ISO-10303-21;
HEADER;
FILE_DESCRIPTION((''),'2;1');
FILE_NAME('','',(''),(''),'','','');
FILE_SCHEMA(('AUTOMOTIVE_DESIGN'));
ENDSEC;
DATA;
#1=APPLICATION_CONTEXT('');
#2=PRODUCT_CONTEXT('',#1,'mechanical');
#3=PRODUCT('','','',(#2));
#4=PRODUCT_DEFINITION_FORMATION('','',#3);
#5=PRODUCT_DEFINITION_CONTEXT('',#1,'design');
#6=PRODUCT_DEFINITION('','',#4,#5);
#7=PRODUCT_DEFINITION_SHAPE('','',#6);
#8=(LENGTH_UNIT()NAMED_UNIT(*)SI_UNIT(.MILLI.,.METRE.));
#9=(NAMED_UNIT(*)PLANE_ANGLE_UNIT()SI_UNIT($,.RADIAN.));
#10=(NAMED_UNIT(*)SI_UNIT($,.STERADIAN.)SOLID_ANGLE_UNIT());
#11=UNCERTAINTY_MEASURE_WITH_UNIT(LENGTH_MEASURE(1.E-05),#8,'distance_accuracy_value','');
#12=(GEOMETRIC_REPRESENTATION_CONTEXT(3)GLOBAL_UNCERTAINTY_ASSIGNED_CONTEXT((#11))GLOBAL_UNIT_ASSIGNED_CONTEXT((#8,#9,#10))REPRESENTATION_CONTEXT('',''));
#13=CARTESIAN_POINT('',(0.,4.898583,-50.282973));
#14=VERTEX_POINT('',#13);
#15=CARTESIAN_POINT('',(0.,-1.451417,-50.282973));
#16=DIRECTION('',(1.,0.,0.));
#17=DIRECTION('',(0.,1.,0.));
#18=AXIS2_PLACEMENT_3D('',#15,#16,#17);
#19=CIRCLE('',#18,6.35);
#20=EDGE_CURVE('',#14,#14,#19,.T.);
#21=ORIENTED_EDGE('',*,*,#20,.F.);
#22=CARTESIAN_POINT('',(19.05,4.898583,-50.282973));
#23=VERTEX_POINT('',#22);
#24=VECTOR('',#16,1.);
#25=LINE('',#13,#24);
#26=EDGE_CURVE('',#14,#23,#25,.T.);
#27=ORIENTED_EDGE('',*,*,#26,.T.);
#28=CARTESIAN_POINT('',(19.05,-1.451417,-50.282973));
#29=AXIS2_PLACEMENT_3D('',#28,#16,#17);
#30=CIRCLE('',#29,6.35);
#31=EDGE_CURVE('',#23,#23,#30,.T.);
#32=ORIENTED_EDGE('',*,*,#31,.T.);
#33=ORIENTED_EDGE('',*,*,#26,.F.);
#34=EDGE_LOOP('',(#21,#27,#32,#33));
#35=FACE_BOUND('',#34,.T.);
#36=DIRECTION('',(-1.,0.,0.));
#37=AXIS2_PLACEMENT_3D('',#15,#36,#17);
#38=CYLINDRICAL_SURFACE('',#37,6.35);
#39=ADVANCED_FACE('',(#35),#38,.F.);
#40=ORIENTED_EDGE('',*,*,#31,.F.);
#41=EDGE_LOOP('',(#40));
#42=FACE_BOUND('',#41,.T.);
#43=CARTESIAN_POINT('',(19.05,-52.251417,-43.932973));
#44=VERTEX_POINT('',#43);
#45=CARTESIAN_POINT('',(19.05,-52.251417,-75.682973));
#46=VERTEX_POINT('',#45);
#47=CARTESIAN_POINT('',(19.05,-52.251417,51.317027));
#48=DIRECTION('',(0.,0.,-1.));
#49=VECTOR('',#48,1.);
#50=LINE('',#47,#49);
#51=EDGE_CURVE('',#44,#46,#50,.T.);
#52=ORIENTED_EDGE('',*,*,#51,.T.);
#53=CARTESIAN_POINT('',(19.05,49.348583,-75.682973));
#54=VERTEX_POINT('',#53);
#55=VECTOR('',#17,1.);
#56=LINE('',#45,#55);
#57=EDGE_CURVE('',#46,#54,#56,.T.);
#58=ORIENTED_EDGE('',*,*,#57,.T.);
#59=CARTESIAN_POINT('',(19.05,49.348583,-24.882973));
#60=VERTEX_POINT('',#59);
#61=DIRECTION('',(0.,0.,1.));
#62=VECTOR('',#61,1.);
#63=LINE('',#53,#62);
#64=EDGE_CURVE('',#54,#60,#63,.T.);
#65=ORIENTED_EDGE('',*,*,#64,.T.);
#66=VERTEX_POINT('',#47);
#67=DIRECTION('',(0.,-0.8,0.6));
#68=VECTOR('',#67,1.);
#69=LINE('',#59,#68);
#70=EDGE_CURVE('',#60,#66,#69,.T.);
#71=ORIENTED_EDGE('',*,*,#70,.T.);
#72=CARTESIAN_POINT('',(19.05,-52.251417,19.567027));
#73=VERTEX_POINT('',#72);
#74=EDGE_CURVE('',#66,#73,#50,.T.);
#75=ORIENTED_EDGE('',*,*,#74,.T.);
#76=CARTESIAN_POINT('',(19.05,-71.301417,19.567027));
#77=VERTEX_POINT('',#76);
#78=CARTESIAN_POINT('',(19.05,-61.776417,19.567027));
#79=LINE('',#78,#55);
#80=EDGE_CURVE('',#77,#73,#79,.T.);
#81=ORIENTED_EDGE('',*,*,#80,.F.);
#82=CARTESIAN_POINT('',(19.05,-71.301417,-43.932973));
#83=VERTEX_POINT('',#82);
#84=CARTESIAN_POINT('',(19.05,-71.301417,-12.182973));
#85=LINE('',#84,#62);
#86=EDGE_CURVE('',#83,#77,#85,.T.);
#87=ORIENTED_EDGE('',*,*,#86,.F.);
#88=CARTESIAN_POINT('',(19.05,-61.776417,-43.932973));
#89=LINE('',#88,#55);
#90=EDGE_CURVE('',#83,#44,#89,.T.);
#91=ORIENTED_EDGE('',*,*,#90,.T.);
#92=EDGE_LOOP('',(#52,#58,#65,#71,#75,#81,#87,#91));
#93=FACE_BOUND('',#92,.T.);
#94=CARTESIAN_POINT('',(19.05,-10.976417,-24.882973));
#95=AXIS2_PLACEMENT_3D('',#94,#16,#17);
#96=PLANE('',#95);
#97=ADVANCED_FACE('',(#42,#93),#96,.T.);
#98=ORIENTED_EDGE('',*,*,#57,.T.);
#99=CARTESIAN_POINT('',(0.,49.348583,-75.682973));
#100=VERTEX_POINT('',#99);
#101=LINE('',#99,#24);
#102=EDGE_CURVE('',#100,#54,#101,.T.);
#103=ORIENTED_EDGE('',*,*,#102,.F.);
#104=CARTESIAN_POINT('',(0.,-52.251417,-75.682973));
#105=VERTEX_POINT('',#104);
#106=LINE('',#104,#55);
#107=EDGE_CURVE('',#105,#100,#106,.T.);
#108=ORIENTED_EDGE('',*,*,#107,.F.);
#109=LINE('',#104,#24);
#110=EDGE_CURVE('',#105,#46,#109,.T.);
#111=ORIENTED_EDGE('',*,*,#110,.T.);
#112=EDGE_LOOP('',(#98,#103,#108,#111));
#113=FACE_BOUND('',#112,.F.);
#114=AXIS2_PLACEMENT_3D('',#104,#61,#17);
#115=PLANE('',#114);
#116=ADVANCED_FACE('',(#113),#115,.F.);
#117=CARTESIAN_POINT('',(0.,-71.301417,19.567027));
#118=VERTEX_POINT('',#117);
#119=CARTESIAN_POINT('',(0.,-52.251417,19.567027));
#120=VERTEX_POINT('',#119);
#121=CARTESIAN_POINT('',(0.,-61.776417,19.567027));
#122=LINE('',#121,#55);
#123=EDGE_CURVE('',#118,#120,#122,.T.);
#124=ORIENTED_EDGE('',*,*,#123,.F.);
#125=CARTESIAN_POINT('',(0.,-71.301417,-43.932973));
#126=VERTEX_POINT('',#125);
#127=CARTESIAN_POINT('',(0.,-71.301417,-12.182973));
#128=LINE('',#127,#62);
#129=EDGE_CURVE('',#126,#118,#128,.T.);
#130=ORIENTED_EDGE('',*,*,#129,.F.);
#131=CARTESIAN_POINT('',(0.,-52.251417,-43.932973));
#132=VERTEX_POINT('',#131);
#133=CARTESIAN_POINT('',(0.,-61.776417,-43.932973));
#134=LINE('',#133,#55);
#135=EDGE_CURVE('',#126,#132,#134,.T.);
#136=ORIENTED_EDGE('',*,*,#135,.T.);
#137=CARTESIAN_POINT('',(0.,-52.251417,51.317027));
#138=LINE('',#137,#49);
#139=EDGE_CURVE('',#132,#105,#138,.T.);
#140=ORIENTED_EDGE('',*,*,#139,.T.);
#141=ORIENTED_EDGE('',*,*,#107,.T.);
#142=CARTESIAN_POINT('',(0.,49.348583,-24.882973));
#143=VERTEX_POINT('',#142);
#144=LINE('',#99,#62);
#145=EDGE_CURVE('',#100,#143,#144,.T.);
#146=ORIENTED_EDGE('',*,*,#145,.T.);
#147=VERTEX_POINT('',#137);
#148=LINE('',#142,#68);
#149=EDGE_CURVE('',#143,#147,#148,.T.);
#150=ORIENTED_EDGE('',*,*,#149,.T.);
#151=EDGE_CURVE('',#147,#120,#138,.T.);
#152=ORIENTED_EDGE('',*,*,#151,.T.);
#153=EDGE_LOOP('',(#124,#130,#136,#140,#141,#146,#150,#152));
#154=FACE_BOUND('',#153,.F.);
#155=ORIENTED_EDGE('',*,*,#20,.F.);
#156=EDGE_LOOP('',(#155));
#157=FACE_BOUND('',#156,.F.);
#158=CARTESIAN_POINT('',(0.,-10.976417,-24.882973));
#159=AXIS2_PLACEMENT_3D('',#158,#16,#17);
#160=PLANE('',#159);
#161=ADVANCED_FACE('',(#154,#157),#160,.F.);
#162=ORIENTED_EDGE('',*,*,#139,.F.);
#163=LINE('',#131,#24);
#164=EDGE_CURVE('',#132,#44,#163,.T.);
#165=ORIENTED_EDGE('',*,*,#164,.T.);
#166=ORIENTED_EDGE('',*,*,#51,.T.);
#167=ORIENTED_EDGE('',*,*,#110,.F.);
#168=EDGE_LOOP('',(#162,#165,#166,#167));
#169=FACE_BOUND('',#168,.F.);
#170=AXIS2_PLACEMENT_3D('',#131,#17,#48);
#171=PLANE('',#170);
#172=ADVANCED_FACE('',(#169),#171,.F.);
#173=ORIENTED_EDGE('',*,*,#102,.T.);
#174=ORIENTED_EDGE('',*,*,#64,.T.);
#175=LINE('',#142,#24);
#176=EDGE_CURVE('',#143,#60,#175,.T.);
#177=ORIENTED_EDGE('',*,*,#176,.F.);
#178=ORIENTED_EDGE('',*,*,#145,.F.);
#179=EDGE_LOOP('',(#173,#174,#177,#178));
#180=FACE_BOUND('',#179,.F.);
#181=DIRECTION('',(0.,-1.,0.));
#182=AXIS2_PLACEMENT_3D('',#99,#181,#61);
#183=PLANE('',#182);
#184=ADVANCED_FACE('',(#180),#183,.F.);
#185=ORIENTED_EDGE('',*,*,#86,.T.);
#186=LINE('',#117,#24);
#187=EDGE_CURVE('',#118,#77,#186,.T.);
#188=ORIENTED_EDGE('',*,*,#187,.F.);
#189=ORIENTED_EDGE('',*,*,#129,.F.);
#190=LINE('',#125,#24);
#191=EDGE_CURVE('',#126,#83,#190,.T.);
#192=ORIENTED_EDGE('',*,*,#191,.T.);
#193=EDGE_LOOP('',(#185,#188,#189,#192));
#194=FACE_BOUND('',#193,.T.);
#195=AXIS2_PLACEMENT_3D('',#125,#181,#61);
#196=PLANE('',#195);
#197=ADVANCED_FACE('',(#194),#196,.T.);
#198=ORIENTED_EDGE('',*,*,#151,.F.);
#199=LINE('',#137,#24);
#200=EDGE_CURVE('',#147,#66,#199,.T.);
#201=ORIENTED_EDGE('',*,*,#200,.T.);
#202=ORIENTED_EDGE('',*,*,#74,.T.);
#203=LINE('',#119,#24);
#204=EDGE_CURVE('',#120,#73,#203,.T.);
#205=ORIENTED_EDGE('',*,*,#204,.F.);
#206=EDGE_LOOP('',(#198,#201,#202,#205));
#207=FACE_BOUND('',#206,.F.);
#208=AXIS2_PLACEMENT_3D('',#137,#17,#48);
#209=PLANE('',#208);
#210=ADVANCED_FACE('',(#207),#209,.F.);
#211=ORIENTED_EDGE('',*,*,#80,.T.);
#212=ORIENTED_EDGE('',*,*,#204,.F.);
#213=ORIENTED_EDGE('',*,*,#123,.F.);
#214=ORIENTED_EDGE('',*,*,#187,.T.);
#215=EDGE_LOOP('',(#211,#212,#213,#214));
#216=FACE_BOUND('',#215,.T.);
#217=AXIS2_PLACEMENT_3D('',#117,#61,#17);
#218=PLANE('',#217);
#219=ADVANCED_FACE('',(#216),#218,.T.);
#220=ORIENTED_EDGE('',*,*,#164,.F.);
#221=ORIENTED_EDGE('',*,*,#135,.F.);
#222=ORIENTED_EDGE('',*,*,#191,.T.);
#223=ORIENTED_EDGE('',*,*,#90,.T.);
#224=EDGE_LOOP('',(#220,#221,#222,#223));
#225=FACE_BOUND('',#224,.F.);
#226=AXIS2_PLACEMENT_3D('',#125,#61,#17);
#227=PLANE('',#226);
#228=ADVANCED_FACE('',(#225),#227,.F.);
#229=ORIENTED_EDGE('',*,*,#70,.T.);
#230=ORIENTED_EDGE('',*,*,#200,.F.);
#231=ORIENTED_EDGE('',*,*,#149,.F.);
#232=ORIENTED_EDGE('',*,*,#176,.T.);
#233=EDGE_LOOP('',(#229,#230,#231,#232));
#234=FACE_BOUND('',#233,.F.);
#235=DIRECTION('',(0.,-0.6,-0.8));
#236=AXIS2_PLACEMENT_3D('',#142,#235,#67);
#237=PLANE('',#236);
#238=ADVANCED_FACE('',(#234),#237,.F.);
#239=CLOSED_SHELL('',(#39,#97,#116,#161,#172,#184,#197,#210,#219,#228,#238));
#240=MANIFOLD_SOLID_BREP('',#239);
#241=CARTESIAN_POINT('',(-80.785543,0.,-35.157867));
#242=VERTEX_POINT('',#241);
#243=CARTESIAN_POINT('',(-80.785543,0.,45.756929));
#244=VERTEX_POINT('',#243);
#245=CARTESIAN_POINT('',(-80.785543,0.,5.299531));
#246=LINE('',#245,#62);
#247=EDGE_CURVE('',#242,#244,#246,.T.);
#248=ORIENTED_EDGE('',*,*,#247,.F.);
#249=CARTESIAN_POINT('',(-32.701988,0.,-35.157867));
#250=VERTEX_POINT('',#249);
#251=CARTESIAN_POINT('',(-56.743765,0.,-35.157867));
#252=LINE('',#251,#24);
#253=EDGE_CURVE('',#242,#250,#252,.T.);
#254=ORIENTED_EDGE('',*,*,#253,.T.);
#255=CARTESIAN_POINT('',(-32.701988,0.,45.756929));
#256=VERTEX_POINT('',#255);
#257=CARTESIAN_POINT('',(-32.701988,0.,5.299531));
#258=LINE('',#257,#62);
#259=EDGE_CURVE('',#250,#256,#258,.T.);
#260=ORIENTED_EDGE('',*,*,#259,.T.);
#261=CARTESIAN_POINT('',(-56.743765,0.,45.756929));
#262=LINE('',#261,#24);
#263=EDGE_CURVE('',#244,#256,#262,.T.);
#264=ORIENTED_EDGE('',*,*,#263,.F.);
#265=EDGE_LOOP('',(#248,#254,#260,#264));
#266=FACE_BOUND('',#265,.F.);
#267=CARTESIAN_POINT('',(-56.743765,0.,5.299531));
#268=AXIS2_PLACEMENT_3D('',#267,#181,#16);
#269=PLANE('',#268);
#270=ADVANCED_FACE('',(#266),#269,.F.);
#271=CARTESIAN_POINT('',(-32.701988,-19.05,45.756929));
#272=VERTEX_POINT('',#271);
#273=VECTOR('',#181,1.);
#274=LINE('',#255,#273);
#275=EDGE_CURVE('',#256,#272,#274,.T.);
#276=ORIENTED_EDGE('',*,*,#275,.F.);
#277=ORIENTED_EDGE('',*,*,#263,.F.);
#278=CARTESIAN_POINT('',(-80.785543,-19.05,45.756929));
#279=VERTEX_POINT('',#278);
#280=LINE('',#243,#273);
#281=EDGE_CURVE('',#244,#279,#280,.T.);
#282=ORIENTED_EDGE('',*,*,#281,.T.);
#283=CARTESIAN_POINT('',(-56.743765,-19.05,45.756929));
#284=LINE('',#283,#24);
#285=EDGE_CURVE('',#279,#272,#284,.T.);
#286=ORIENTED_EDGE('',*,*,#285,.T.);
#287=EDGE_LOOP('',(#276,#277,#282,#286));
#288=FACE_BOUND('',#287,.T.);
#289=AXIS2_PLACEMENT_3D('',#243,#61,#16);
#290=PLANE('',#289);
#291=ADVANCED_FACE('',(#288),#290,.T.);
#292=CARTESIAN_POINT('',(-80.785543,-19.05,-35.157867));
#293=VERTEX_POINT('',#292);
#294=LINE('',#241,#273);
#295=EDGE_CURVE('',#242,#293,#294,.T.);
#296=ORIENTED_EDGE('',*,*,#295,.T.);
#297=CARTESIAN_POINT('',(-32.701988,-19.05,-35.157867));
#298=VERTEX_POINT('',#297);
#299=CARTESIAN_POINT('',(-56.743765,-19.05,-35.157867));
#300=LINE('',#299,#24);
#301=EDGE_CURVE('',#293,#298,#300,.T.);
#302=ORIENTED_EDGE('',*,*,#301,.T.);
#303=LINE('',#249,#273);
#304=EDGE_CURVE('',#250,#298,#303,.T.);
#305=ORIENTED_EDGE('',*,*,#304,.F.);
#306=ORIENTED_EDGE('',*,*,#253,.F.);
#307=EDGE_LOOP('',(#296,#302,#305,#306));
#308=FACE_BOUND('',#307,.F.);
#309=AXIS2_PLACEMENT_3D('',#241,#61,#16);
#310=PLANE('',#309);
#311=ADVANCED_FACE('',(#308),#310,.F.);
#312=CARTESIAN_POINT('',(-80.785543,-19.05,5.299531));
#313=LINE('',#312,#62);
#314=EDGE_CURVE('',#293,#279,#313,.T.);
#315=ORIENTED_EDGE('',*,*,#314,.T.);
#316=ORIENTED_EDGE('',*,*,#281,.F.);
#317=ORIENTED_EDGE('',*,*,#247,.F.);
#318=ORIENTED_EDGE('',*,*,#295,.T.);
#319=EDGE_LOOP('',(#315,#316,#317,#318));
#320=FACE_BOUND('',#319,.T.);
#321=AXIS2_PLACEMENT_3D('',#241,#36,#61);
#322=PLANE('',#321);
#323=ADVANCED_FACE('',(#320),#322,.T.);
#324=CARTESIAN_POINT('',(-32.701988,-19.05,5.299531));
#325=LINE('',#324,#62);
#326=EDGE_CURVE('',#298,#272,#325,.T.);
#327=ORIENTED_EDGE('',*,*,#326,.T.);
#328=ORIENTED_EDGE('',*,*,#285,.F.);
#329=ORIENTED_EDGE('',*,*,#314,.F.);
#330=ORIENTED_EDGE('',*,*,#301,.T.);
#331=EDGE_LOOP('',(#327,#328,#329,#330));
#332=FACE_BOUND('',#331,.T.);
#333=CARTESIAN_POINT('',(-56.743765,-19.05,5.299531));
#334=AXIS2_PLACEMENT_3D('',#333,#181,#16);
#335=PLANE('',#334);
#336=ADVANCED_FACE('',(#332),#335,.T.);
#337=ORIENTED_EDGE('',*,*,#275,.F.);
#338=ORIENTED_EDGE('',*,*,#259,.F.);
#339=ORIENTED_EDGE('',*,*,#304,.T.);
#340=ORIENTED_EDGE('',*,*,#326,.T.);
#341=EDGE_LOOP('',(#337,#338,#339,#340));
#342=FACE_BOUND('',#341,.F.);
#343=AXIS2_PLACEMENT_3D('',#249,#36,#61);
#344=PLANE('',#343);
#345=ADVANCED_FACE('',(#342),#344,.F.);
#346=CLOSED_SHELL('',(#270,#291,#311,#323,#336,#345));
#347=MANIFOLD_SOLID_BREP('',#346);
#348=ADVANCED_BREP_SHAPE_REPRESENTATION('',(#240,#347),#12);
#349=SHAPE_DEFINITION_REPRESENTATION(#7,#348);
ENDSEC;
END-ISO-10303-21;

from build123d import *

# Parameters (mm, degrees)
F0_R     = 6.35
F0_W     = 19.05
F0_H     = 63.5
F1_DEPTH = 19.05
F2_W     = 48.083555
F2_H     = 80.914796
F3_DEPTH = 19.05


with BuildPart() as f1:
    # F0 (on Right) → F1 (new body)
    with BuildSketch(Plane.YZ):
        Polygon((49.348583, -24.882973), (-52.251417, 51.317027), (-52.251417, 19.567027), (-52.251417, -43.932973), (-52.251417, -75.682973), (49.348583, -75.682973), align=None)
        with Locations((-1.451417, -50.282973)):
            Circle(F0_R, mode=Mode.SUBTRACT)
        with Locations((-61.776417, -12.182973)):
            Rectangle(F0_W, F0_H)
    extrude(amount=F1_DEPTH)


with BuildPart() as f3:
    # F2 (on Front) → F3 (new body)
    with BuildSketch(Plane.XZ):
        with Locations((-56.743765, 5.299531)):
            Rectangle(F2_W, F2_H)
    extrude(amount=F3_DEPTH)


solid = Compound([f1.part, f3.part])
